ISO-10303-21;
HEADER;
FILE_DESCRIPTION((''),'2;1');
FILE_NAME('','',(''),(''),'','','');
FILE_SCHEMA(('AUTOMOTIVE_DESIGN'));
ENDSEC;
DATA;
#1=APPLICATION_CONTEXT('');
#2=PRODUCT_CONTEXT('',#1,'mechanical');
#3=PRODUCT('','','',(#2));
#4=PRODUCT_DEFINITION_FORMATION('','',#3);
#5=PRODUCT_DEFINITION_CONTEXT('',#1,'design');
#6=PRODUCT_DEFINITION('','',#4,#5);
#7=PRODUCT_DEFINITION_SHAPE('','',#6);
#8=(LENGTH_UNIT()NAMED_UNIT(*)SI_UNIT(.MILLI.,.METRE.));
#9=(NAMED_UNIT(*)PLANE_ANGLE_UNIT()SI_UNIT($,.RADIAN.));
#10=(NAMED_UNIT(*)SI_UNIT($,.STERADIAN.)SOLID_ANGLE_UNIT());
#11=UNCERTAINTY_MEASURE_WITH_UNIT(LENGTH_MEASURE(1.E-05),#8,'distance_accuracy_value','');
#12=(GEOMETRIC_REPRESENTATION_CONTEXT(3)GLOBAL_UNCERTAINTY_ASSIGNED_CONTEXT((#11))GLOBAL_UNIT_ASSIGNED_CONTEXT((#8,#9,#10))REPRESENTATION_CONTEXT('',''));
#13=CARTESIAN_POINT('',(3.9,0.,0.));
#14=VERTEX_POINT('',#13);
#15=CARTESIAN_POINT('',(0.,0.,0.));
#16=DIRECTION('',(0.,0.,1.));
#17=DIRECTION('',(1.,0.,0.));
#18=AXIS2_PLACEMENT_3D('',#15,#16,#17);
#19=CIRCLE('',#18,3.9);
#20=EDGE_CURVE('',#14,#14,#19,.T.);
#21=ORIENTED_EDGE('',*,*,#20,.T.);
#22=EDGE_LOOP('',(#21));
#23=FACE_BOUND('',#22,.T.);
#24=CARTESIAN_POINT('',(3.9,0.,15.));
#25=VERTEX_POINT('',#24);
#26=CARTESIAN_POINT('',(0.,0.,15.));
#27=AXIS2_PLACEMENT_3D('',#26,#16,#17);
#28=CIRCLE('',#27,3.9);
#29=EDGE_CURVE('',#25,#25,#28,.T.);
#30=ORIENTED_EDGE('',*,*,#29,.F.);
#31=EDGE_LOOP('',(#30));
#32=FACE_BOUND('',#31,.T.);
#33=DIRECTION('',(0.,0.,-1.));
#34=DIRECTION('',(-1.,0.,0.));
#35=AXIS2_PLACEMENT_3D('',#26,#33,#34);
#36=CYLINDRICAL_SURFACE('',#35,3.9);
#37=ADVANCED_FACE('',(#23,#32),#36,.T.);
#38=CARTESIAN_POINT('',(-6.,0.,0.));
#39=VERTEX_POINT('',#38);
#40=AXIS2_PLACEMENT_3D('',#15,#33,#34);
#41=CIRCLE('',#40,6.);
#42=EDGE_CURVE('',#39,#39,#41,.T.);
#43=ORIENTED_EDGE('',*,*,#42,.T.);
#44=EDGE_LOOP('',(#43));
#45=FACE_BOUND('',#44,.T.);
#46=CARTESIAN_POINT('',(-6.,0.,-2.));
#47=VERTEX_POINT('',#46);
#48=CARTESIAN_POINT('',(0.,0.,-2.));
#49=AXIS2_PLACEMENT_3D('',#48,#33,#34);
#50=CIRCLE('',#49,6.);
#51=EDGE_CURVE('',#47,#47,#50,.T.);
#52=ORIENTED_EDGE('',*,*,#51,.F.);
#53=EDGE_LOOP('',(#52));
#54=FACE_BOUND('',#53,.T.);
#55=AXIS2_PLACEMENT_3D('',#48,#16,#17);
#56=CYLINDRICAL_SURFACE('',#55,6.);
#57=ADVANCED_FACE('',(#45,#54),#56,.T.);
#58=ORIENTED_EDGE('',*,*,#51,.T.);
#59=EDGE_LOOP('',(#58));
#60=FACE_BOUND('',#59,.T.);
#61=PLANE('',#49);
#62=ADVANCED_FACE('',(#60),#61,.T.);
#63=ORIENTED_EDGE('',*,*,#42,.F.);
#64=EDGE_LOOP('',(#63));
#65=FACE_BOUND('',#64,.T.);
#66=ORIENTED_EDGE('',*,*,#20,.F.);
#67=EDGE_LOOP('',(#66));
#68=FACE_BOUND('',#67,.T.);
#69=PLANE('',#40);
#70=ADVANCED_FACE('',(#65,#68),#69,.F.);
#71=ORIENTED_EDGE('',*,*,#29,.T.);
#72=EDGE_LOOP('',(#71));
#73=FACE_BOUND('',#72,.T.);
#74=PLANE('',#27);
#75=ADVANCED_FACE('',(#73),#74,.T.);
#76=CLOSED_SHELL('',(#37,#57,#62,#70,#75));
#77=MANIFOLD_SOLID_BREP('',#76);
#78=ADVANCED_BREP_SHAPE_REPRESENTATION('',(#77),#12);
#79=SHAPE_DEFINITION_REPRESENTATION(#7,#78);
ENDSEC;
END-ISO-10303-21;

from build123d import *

# Parameters (mm, degrees)
SKETCH_1_R      = 3.9
EXTRUDE_1_DEPTH = 15
SKETCH_2_R      = 6
EXTRUDE_2_DEPTH = 2


with BuildPart() as part:
    # 草图1 → 凸台-拉伸1 (new body)
    with BuildSketch(Plane.XY):
        Circle(SKETCH_1_R)
    extrude(amount=EXTRUDE_1_DEPTH)

    # 草图2 → 凸台-拉伸2 (add)
    with BuildSketch(Plane(origin=(0, 0, 0), x_dir=(-1, 0, 0), z_dir=(0, 0, -1))):
        Circle(SKETCH_2_R)
    extrude(amount=EXTRUDE_2_DEPTH)


solid = part.part
